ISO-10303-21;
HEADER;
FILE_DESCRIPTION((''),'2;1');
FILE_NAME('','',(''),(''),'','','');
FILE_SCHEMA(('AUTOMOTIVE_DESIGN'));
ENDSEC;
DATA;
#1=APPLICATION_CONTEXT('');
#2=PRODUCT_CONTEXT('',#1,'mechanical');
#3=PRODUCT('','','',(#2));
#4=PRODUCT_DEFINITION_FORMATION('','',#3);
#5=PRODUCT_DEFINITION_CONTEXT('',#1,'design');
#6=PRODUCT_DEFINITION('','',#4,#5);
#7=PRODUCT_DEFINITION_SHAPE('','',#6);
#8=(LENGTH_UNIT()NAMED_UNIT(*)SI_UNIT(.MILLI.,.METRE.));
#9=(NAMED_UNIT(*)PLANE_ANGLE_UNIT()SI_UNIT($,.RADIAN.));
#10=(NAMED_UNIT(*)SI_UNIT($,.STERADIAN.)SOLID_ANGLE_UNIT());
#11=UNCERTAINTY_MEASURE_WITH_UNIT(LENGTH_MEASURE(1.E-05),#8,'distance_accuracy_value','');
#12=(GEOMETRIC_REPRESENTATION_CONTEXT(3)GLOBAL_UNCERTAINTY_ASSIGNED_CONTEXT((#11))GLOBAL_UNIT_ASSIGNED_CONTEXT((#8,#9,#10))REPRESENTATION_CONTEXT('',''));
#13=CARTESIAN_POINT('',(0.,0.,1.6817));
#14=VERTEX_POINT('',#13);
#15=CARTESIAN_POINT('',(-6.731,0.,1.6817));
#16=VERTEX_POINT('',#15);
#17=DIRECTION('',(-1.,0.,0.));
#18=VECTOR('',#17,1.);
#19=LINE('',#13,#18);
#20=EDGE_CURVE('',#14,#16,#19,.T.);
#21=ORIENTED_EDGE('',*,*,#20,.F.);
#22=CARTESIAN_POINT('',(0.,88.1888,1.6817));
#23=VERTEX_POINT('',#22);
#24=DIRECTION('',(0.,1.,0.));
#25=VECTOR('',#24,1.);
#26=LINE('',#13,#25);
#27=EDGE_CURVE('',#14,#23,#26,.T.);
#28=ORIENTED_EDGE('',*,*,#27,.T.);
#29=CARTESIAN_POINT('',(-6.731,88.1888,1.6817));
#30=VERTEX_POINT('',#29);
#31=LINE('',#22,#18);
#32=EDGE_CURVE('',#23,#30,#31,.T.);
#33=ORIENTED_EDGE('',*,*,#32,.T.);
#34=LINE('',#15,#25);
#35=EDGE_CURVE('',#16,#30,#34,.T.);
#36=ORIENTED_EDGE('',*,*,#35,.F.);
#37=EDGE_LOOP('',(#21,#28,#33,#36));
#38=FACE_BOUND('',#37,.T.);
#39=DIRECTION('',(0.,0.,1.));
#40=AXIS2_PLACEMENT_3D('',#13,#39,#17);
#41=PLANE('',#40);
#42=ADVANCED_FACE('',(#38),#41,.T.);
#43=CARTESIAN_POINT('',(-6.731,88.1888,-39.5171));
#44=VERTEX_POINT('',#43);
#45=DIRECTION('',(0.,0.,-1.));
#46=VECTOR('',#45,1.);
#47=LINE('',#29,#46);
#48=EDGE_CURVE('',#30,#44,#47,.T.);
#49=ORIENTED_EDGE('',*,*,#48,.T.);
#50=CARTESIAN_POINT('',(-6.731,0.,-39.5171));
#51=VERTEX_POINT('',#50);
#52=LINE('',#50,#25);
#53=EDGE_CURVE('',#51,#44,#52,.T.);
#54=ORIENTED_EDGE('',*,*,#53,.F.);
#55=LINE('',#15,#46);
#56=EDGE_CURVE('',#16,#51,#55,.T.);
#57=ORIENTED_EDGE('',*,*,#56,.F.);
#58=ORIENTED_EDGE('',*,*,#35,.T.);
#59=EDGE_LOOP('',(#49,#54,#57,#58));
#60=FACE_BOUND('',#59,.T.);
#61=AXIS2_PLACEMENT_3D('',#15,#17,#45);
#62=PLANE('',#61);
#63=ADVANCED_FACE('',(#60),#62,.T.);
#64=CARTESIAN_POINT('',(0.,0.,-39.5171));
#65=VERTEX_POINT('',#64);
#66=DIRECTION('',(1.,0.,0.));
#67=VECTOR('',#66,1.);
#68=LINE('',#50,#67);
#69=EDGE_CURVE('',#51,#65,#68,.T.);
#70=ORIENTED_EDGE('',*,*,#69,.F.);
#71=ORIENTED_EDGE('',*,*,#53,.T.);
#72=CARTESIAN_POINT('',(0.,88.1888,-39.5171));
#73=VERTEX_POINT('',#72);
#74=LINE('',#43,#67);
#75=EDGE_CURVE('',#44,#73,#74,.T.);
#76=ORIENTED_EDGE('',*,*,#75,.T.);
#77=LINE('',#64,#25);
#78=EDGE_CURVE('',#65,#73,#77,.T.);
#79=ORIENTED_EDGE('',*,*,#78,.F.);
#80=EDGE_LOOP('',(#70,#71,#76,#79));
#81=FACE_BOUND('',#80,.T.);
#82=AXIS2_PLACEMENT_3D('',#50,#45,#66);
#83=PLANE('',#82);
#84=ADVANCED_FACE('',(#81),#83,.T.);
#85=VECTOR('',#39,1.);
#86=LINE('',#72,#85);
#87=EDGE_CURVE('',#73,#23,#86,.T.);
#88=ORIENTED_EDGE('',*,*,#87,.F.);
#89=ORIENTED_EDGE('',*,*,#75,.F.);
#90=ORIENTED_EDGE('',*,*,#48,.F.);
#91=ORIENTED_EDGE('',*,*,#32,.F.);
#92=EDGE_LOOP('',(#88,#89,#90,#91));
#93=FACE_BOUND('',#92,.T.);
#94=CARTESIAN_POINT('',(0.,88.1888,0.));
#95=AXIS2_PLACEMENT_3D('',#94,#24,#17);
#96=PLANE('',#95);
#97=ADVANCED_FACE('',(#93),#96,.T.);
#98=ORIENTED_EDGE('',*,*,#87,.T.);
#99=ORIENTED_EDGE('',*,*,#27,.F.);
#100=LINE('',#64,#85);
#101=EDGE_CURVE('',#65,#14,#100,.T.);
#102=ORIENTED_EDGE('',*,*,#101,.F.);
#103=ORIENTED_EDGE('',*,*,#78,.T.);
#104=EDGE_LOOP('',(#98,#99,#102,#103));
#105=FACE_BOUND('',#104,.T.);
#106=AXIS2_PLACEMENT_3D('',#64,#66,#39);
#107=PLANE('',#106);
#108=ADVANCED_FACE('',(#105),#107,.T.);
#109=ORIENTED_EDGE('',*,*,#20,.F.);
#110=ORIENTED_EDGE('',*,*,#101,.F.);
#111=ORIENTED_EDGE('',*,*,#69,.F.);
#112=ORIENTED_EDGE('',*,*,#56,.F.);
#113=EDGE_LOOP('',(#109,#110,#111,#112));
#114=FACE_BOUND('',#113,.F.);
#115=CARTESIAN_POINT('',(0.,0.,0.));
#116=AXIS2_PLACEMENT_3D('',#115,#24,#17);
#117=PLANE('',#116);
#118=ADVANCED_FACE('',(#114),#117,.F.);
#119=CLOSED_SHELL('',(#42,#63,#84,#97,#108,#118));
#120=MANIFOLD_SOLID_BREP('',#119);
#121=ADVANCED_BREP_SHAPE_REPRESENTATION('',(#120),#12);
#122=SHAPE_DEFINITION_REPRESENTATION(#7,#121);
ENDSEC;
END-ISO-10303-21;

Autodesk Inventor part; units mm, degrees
ref_plane "YZ Plane" through (0, 0, 0) normal (1, 0, 0) x (0, 1, 0)
ref_plane "XZ Plane" through (0, 0, 0) normal (0, 1, 0) x (-1, 0, 0)
ref_plane "XY Plane" through (0, 0, 0) normal (0, 0, 1) x (1, 0, 0)
sketch "Sketch1" plane through (0, 0, 0) normal (0, 1, 0) x (-1, 0, 0)
  line L0 (0, 1.6817) -> (6.731, 1.6817)
  line L1 (6.731, 1.6817) -> (6.731, -39.5171)
  line L2 (6.731, -39.5171) -> (0, -39.5171)
  line L3 (0, -39.5171) -> (0, 1.6817)
  point P0 (0, 0)
  dimension "d0" = 6.731
  dimension "d1" = 41.1988
extrude "Extrusion1" add sketch "Sketch1" along normal blind 88.1888
sketch "Sketch2" plane through (0, 0, 1.6817) normal (1, 0, 0) x (0, 0, -1)
  line L0 (0, 88.1888) -> (41.1988, 88.1888) projected
  line L1 (41.1988, 88.1888) -> (41.1988, 59.1566)
  line L2 (41.1988, 0) -> (41.1988, 88.1888) projected
  line L3 (41.1988, 59.1566) -> (8.4836, 59.1566)
  line L4 (8.4836, 59.1566) -> (8.4836, 34.3916)
  line L5 (41.1988, 0) -> (0, 0) projected
  line L6 (41.1988, 0) -> (18.5928, 0)
  line L7 (18.5928, 0) -> (8.4836, 34.3916)
  line L8 (0, 0) -> (0, 88.1888) projected
  line L9 (0, 88.1888) -> (0, 81.8388)
  line L10 (8.4836, 59.1566) -> (0, 81.8388)
  point P0 (1.6817, 0)
  dimension "d4" = 29.0322
  dimension "d5" = 32.7152
  dimension "d6" = 24.765
  dimension "d7" = 22.606
  dimension "d8" = 6.35
properties part number "Suspension I"
